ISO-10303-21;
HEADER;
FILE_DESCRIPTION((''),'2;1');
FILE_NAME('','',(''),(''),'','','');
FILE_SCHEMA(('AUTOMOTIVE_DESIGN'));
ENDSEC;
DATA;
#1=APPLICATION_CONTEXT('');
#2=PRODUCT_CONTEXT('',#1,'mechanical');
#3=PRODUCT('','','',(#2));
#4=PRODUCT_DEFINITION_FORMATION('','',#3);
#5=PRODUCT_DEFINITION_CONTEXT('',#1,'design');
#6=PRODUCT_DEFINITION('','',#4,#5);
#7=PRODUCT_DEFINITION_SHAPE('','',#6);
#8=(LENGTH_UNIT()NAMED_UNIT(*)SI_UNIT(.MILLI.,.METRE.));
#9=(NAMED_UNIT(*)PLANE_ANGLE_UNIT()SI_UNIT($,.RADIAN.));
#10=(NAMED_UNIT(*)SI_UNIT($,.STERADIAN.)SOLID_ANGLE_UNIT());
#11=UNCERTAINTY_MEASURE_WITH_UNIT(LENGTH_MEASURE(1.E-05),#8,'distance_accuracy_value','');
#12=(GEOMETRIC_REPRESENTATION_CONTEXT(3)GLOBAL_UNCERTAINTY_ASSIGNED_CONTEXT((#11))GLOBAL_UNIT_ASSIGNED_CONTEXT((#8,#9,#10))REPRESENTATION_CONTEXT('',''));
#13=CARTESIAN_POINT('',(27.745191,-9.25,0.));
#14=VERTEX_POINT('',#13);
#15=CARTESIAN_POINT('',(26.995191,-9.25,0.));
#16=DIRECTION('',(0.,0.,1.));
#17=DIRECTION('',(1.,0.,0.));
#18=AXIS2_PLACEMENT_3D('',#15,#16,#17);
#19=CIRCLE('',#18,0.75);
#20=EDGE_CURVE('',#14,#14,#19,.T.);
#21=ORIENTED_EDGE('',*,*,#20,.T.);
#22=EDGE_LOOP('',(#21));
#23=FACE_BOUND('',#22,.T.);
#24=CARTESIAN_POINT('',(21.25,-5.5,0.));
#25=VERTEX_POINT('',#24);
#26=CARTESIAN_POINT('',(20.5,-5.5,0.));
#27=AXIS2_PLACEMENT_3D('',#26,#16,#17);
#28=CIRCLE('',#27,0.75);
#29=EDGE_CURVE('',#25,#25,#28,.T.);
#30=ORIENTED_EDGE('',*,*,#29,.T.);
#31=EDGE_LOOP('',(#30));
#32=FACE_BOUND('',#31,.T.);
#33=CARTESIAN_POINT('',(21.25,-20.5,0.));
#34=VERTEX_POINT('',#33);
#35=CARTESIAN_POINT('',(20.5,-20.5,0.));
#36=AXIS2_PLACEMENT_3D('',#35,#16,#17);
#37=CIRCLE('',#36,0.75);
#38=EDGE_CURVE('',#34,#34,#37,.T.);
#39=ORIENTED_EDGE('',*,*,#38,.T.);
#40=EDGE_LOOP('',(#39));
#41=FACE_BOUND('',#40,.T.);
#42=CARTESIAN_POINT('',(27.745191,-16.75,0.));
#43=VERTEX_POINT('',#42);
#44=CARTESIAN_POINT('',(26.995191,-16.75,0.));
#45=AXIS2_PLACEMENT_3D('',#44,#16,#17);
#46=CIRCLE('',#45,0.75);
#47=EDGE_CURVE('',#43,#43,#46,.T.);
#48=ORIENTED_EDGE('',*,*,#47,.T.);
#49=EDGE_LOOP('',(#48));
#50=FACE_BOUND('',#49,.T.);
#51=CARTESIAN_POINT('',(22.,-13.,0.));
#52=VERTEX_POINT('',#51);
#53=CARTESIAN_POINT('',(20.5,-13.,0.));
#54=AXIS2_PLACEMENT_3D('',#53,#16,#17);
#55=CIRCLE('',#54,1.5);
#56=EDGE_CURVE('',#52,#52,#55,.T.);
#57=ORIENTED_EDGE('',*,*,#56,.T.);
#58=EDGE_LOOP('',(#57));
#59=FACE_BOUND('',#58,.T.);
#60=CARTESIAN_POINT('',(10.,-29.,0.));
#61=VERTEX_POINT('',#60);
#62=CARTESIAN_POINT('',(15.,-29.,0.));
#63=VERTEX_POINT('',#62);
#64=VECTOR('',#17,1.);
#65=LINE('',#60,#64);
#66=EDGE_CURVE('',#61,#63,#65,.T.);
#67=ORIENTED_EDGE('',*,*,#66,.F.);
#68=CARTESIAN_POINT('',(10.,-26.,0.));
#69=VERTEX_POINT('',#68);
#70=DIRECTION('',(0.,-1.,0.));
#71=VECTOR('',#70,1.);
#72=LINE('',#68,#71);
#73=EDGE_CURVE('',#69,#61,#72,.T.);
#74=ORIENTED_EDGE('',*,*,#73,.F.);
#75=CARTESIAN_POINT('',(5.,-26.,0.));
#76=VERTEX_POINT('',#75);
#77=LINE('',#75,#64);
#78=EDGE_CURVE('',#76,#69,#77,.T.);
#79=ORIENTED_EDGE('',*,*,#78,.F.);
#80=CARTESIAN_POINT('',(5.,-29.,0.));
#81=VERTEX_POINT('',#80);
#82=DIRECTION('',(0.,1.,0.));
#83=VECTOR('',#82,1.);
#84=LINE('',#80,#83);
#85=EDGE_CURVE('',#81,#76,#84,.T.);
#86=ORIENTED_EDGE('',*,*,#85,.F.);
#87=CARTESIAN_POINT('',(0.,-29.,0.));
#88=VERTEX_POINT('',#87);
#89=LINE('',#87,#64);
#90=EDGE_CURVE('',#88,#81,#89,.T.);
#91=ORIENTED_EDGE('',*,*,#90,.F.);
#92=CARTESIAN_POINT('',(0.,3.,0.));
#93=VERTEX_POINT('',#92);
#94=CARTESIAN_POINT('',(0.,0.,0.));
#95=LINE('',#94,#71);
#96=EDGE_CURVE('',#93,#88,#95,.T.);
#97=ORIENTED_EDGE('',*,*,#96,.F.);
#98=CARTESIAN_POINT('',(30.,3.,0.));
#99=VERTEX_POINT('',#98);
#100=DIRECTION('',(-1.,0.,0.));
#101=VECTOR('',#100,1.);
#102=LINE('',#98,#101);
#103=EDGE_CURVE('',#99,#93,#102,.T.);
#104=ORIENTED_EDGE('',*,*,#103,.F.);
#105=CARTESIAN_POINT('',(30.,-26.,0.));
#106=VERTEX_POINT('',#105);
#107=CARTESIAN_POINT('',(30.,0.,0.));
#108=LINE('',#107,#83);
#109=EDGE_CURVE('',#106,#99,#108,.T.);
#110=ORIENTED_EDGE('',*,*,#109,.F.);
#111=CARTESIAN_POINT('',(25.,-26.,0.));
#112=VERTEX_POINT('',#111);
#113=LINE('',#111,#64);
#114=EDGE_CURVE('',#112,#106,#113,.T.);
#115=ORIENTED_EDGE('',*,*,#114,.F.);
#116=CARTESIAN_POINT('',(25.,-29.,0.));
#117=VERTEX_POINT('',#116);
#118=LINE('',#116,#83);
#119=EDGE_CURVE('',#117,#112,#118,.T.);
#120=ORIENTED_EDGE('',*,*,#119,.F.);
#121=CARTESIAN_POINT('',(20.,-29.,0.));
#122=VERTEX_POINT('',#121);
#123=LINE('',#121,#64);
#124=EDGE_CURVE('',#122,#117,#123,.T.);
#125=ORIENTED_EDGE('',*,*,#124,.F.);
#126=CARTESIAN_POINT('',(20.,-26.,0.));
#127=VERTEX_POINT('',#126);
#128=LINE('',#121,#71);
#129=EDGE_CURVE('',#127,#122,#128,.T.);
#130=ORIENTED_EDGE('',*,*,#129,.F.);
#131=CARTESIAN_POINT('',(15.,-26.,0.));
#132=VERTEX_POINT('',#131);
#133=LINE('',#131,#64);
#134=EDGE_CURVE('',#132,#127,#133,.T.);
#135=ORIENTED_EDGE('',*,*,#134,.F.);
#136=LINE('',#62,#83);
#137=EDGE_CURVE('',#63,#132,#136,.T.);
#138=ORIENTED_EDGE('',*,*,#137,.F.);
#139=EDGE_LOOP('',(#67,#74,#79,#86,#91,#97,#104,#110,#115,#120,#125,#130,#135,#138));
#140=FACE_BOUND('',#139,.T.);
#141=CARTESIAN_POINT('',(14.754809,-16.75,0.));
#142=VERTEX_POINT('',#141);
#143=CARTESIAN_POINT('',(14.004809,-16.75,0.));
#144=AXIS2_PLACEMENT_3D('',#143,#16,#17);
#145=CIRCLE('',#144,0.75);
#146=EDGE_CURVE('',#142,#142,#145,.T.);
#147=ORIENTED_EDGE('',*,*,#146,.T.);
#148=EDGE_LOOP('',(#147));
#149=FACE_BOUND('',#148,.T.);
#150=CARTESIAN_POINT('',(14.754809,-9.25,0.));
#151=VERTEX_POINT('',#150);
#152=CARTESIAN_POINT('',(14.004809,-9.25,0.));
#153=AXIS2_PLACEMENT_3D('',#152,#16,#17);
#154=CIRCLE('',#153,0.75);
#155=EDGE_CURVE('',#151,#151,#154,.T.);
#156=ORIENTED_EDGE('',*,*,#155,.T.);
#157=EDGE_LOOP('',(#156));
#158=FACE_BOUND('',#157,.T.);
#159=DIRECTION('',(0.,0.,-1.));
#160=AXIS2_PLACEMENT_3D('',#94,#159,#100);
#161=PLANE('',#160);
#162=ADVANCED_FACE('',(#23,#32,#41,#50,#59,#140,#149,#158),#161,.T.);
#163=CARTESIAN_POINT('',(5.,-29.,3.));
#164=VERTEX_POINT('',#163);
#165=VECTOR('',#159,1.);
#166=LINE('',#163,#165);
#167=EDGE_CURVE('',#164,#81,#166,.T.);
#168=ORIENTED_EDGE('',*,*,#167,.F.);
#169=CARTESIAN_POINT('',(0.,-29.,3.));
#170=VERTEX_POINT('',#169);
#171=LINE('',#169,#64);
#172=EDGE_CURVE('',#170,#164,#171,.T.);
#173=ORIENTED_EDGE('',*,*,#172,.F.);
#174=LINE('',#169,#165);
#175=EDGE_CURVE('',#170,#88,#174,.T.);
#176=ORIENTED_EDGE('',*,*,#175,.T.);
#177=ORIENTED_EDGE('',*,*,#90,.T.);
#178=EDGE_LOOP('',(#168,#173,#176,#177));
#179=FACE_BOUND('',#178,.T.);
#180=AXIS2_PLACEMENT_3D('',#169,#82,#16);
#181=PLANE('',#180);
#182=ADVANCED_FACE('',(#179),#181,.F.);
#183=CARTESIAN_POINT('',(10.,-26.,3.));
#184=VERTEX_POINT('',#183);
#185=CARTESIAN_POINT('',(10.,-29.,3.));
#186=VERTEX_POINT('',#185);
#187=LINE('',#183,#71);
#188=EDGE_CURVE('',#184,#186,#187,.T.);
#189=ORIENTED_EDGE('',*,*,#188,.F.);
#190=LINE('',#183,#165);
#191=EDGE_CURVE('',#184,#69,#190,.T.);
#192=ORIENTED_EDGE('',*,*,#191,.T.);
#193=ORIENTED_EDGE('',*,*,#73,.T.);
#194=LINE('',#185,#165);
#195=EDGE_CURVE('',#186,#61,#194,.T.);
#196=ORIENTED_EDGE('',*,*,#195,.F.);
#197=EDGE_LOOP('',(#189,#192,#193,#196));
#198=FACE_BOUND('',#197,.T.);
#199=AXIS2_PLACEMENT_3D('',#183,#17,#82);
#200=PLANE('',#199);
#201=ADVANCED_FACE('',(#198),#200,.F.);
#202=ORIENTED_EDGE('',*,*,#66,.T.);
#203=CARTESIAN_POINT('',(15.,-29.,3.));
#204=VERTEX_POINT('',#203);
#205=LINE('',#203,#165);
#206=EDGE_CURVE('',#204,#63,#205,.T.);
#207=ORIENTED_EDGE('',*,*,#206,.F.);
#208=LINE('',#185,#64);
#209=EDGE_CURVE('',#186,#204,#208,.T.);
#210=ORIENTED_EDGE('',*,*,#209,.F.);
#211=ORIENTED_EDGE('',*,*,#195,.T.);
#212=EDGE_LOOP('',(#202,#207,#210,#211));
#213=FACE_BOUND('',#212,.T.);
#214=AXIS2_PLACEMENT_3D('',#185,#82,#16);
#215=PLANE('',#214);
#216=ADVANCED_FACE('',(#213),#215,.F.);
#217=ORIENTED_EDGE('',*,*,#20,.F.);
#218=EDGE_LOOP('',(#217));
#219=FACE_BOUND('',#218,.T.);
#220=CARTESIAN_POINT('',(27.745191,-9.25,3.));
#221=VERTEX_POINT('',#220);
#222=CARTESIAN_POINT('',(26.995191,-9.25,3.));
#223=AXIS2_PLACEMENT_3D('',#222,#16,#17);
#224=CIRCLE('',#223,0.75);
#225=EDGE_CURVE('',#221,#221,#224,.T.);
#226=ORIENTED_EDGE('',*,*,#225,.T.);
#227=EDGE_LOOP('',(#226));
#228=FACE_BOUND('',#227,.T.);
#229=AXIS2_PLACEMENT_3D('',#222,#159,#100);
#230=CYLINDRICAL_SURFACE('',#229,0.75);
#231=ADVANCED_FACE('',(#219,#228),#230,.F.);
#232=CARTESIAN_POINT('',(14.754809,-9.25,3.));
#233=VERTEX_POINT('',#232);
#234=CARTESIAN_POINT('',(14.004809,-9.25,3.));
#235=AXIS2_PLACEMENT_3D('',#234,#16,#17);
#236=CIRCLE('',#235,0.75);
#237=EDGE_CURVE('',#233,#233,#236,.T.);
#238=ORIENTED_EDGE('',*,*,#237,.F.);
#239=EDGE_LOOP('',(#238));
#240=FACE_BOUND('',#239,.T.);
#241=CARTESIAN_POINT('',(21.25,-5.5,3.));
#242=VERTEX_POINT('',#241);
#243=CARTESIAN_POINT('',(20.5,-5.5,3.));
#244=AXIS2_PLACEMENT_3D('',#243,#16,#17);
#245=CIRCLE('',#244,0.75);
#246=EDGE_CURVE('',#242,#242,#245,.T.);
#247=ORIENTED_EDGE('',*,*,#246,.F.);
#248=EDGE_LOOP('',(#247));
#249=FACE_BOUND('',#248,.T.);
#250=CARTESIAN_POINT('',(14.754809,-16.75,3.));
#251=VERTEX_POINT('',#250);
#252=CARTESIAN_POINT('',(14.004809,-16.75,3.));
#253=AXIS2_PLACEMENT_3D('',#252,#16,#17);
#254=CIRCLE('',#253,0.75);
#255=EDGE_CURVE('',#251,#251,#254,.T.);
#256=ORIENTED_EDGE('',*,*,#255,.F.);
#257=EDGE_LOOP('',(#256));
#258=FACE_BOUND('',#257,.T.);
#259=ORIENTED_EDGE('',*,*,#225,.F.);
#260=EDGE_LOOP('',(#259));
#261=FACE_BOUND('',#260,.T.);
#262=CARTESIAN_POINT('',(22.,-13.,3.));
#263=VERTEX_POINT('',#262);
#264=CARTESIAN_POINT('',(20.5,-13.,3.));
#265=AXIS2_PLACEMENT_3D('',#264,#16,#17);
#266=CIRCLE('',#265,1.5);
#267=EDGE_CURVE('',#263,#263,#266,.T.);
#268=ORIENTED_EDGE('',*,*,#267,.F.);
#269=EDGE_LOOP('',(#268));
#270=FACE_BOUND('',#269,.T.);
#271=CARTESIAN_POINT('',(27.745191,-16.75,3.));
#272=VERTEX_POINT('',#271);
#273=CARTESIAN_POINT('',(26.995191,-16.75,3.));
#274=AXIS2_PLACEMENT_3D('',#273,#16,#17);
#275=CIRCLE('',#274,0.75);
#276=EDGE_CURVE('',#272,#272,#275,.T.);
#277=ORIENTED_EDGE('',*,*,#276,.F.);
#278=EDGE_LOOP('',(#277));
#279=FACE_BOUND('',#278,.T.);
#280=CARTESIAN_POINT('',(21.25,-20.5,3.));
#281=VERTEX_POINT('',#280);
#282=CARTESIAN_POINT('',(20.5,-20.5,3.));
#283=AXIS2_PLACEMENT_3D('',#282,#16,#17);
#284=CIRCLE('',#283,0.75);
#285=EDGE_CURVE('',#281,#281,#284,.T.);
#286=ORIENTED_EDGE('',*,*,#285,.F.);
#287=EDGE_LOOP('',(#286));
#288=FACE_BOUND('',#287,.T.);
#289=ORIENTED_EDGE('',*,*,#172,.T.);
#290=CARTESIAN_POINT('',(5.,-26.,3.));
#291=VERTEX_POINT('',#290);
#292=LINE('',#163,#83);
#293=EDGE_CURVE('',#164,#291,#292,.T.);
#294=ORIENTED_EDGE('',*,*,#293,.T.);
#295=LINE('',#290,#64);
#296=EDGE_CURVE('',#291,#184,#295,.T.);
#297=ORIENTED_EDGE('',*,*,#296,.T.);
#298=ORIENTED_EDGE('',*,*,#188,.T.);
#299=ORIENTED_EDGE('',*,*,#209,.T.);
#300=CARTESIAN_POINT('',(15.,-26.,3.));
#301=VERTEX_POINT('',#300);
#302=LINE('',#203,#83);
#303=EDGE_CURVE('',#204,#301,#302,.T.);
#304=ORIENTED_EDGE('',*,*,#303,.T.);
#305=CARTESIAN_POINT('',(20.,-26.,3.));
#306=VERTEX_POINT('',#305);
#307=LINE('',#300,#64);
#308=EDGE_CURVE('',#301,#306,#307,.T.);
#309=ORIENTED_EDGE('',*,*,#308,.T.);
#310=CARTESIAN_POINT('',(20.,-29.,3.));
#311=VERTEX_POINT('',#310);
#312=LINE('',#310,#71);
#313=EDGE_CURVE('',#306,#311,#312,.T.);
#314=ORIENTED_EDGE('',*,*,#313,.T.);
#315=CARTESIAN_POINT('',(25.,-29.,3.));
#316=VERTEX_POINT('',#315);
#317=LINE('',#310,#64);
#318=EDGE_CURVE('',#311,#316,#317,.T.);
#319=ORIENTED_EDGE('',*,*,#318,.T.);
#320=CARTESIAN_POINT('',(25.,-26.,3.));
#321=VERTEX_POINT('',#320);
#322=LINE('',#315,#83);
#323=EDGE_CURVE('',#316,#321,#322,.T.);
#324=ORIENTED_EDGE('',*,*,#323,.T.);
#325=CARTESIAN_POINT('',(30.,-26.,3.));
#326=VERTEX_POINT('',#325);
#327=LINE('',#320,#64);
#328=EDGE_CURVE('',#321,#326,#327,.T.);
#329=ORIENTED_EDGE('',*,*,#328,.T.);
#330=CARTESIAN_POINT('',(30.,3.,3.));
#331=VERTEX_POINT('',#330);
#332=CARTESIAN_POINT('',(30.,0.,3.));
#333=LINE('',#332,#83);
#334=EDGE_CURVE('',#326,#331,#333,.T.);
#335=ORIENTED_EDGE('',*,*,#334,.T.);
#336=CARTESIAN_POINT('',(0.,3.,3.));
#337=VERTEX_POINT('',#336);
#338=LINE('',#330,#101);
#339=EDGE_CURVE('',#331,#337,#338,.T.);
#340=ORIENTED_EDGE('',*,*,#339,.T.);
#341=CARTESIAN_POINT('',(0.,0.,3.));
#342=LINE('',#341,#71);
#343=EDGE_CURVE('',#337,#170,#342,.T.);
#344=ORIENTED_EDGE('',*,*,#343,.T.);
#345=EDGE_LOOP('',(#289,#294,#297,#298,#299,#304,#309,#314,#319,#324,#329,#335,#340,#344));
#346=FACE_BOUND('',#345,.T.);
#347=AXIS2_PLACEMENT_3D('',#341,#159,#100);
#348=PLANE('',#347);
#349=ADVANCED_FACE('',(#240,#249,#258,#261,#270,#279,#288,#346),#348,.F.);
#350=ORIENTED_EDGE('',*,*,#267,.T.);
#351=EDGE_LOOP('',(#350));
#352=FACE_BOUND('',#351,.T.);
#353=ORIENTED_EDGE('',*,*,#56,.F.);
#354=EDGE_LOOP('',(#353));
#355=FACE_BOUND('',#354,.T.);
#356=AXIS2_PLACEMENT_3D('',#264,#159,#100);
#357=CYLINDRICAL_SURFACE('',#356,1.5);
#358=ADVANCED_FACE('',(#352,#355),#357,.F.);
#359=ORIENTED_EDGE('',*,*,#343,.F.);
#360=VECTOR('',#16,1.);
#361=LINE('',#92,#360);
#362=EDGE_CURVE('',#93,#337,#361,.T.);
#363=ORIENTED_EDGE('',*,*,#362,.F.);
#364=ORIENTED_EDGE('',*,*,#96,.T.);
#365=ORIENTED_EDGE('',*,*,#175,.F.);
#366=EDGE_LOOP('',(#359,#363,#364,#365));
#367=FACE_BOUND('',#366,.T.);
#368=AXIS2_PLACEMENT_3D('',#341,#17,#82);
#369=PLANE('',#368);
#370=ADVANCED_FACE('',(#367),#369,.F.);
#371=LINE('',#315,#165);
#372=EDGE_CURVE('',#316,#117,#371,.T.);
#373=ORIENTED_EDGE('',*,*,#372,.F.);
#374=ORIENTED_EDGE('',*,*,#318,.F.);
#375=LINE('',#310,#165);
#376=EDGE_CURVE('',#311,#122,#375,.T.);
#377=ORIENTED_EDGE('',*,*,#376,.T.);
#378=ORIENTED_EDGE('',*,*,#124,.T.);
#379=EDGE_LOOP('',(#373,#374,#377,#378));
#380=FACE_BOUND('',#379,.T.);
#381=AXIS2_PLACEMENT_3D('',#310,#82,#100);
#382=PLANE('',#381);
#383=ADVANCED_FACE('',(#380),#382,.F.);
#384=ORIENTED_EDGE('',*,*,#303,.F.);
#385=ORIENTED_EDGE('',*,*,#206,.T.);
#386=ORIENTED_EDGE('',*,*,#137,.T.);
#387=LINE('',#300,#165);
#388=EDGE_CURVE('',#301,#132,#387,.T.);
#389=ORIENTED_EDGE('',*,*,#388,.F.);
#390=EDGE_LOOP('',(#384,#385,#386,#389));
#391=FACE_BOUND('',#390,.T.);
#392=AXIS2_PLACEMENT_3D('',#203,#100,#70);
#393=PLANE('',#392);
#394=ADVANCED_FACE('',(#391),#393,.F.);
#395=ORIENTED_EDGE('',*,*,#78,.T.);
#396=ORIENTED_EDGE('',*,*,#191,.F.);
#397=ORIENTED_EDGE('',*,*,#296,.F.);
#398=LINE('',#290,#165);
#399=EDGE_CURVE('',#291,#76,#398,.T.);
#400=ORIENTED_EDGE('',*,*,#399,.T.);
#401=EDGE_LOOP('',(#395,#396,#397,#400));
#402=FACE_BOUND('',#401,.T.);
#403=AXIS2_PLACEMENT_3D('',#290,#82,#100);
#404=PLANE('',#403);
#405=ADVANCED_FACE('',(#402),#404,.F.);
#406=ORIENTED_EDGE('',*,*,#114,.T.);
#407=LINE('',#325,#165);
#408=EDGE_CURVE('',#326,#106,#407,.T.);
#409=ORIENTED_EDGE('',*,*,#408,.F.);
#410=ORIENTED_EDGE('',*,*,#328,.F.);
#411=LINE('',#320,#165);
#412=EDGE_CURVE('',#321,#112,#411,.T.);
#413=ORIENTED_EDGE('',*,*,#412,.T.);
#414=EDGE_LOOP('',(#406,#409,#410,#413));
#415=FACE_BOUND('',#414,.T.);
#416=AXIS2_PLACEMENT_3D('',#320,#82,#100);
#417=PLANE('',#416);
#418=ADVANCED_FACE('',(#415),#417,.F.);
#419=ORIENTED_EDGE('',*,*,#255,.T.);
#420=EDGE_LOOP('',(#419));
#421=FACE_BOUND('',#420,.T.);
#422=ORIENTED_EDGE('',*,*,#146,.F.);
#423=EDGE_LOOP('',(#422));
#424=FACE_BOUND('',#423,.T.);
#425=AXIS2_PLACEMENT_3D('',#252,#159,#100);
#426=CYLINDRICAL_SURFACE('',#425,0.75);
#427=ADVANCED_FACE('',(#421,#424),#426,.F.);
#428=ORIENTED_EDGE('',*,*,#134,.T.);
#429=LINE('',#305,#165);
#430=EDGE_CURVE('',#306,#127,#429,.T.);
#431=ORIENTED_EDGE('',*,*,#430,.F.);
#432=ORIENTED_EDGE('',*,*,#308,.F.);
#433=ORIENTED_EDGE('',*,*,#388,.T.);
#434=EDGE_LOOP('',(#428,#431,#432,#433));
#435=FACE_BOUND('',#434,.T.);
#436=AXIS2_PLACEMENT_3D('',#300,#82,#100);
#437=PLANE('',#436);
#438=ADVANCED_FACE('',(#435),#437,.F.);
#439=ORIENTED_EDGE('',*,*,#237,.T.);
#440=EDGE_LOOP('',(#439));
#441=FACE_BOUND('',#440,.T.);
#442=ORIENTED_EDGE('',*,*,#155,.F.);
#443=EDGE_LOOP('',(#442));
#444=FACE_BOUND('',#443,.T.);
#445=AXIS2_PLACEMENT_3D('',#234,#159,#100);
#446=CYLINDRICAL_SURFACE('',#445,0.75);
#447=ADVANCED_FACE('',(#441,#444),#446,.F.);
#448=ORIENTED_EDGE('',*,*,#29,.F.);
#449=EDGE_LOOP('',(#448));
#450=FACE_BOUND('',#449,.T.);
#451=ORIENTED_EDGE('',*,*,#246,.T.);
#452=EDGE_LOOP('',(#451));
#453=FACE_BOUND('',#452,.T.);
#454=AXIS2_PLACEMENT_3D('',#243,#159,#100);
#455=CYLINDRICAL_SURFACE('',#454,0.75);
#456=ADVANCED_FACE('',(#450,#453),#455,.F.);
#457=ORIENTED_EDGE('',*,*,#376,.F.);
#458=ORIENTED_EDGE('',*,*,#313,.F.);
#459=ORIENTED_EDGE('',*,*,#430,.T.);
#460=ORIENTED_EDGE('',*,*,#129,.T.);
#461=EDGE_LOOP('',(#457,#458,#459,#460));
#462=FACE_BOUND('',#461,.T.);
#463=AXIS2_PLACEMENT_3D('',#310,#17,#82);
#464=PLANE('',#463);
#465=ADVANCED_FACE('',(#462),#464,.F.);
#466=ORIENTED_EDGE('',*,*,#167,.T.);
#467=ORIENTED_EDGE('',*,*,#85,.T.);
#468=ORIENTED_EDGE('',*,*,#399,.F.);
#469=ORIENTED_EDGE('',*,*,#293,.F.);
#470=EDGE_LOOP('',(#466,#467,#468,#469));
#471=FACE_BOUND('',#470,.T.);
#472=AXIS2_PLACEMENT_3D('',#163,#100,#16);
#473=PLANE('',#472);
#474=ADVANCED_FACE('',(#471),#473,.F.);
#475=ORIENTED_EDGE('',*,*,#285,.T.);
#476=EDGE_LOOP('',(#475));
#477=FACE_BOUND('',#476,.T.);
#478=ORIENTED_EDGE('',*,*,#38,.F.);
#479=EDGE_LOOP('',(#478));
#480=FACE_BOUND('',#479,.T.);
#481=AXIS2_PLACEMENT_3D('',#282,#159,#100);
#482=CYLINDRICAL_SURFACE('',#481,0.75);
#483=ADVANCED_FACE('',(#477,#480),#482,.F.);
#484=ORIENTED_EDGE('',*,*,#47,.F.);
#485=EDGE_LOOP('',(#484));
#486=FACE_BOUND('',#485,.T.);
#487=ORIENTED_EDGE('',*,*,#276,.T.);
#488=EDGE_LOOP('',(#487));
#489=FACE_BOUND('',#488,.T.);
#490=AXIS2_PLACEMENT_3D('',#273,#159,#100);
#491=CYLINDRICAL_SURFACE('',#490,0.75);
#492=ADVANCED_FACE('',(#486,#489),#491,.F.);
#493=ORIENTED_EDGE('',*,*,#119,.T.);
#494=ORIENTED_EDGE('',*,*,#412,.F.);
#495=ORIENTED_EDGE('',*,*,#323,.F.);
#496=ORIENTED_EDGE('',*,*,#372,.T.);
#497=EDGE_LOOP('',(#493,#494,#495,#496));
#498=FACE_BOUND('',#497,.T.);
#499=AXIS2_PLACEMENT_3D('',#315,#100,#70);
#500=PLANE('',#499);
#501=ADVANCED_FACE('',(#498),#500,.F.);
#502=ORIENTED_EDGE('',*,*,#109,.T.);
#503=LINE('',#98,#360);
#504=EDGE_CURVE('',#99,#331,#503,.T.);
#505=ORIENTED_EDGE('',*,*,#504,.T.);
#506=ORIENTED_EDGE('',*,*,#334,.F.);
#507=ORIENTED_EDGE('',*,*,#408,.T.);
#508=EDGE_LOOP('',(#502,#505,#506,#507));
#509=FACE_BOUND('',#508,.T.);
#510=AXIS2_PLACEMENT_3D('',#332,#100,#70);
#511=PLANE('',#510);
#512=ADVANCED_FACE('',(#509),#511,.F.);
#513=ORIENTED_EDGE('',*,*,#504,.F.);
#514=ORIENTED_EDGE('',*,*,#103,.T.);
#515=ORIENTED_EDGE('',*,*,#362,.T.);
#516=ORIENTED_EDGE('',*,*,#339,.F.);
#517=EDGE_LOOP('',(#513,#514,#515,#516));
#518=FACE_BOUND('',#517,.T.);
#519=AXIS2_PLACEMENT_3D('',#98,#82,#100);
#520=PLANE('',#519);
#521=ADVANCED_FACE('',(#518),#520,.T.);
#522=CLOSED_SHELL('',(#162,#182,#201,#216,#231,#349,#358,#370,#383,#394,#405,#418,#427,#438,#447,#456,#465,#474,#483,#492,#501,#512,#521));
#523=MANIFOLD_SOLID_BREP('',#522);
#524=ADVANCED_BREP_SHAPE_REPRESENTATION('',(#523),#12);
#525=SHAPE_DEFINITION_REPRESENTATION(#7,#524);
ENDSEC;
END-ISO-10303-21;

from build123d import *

# Parameters (mm, degrees)
SKETCH1_R               = 0.75
SKETCH1_R_2             = 1.5
BOSS_EXTRUDE1_DEPTH     = 3
CORTAR_EXTRUIR1_START   = -3
CROQUIS1_W              = 15
CROQUIS1_H              = 6.71890751
CORTAR_EXTRUIR1_DEPTH   = 3
CROQUIS2_W              = 30
CROQUIS2_H              = 3
SALIENTE_EXTRUIR1_DEPTH = 3


with BuildPart() as part:
    # Sketch1 → Boss-Extrude1 (new body)
    with BuildSketch(Plane.XY):
        Polygon((10, 0), (10, 3), (15, 3), (15, 0), (20, 0), (20, 3), (25, 3), (25, 0), (30, 0), (30, -26), (25, -26), (25, -29), (20, -29), (20, -26), (15, -26), (15, -29), (10, -29), (10, -26), (5, -26), (5, -29), (0, -29), (0, 0), align=None)
        with Locations((20.5, -5.5)):
            Circle(SKETCH1_R, mode=Mode.SUBTRACT)
        with Locations((26.995190528, -9.25)):
            Circle(SKETCH1_R, mode=Mode.SUBTRACT)
        with Locations((26.995190528, -16.75)):
            Circle(SKETCH1_R, mode=Mode.SUBTRACT)
        with Locations((20.5, -20.5)):
            Circle(SKETCH1_R, mode=Mode.SUBTRACT)
        with Locations((14.004809472, -16.75)):
            Circle(SKETCH1_R, mode=Mode.SUBTRACT)
        with Locations((14.004809472, -9.25)):
            Circle(SKETCH1_R, mode=Mode.SUBTRACT)
        with Locations((20.5, -13)):
            Circle(SKETCH1_R_2, mode=Mode.SUBTRACT)
    extrude(amount=BOSS_EXTRUDE1_DEPTH)

    # Croquis1 → Cortar-Extruir1 (cut)
    with BuildSketch(Plane.XY.offset(3).offset(CORTAR_EXTRUIR1_START)):
        with Locations((17.5, 3.359453755)):
            Rectangle(CROQUIS1_W, CROQUIS1_H)
    extrude(amount=CORTAR_EXTRUIR1_DEPTH, mode=Mode.SUBTRACT)

    # Croquis2 → Saliente-Extruir1 (add)
    with BuildSketch(Plane.XY.offset(3)):
        with Locations((15, 1.5)):
            Rectangle(CROQUIS2_W, CROQUIS2_H)
    extrude(amount=-SALIENTE_EXTRUIR1_DEPTH)


solid = part.part
